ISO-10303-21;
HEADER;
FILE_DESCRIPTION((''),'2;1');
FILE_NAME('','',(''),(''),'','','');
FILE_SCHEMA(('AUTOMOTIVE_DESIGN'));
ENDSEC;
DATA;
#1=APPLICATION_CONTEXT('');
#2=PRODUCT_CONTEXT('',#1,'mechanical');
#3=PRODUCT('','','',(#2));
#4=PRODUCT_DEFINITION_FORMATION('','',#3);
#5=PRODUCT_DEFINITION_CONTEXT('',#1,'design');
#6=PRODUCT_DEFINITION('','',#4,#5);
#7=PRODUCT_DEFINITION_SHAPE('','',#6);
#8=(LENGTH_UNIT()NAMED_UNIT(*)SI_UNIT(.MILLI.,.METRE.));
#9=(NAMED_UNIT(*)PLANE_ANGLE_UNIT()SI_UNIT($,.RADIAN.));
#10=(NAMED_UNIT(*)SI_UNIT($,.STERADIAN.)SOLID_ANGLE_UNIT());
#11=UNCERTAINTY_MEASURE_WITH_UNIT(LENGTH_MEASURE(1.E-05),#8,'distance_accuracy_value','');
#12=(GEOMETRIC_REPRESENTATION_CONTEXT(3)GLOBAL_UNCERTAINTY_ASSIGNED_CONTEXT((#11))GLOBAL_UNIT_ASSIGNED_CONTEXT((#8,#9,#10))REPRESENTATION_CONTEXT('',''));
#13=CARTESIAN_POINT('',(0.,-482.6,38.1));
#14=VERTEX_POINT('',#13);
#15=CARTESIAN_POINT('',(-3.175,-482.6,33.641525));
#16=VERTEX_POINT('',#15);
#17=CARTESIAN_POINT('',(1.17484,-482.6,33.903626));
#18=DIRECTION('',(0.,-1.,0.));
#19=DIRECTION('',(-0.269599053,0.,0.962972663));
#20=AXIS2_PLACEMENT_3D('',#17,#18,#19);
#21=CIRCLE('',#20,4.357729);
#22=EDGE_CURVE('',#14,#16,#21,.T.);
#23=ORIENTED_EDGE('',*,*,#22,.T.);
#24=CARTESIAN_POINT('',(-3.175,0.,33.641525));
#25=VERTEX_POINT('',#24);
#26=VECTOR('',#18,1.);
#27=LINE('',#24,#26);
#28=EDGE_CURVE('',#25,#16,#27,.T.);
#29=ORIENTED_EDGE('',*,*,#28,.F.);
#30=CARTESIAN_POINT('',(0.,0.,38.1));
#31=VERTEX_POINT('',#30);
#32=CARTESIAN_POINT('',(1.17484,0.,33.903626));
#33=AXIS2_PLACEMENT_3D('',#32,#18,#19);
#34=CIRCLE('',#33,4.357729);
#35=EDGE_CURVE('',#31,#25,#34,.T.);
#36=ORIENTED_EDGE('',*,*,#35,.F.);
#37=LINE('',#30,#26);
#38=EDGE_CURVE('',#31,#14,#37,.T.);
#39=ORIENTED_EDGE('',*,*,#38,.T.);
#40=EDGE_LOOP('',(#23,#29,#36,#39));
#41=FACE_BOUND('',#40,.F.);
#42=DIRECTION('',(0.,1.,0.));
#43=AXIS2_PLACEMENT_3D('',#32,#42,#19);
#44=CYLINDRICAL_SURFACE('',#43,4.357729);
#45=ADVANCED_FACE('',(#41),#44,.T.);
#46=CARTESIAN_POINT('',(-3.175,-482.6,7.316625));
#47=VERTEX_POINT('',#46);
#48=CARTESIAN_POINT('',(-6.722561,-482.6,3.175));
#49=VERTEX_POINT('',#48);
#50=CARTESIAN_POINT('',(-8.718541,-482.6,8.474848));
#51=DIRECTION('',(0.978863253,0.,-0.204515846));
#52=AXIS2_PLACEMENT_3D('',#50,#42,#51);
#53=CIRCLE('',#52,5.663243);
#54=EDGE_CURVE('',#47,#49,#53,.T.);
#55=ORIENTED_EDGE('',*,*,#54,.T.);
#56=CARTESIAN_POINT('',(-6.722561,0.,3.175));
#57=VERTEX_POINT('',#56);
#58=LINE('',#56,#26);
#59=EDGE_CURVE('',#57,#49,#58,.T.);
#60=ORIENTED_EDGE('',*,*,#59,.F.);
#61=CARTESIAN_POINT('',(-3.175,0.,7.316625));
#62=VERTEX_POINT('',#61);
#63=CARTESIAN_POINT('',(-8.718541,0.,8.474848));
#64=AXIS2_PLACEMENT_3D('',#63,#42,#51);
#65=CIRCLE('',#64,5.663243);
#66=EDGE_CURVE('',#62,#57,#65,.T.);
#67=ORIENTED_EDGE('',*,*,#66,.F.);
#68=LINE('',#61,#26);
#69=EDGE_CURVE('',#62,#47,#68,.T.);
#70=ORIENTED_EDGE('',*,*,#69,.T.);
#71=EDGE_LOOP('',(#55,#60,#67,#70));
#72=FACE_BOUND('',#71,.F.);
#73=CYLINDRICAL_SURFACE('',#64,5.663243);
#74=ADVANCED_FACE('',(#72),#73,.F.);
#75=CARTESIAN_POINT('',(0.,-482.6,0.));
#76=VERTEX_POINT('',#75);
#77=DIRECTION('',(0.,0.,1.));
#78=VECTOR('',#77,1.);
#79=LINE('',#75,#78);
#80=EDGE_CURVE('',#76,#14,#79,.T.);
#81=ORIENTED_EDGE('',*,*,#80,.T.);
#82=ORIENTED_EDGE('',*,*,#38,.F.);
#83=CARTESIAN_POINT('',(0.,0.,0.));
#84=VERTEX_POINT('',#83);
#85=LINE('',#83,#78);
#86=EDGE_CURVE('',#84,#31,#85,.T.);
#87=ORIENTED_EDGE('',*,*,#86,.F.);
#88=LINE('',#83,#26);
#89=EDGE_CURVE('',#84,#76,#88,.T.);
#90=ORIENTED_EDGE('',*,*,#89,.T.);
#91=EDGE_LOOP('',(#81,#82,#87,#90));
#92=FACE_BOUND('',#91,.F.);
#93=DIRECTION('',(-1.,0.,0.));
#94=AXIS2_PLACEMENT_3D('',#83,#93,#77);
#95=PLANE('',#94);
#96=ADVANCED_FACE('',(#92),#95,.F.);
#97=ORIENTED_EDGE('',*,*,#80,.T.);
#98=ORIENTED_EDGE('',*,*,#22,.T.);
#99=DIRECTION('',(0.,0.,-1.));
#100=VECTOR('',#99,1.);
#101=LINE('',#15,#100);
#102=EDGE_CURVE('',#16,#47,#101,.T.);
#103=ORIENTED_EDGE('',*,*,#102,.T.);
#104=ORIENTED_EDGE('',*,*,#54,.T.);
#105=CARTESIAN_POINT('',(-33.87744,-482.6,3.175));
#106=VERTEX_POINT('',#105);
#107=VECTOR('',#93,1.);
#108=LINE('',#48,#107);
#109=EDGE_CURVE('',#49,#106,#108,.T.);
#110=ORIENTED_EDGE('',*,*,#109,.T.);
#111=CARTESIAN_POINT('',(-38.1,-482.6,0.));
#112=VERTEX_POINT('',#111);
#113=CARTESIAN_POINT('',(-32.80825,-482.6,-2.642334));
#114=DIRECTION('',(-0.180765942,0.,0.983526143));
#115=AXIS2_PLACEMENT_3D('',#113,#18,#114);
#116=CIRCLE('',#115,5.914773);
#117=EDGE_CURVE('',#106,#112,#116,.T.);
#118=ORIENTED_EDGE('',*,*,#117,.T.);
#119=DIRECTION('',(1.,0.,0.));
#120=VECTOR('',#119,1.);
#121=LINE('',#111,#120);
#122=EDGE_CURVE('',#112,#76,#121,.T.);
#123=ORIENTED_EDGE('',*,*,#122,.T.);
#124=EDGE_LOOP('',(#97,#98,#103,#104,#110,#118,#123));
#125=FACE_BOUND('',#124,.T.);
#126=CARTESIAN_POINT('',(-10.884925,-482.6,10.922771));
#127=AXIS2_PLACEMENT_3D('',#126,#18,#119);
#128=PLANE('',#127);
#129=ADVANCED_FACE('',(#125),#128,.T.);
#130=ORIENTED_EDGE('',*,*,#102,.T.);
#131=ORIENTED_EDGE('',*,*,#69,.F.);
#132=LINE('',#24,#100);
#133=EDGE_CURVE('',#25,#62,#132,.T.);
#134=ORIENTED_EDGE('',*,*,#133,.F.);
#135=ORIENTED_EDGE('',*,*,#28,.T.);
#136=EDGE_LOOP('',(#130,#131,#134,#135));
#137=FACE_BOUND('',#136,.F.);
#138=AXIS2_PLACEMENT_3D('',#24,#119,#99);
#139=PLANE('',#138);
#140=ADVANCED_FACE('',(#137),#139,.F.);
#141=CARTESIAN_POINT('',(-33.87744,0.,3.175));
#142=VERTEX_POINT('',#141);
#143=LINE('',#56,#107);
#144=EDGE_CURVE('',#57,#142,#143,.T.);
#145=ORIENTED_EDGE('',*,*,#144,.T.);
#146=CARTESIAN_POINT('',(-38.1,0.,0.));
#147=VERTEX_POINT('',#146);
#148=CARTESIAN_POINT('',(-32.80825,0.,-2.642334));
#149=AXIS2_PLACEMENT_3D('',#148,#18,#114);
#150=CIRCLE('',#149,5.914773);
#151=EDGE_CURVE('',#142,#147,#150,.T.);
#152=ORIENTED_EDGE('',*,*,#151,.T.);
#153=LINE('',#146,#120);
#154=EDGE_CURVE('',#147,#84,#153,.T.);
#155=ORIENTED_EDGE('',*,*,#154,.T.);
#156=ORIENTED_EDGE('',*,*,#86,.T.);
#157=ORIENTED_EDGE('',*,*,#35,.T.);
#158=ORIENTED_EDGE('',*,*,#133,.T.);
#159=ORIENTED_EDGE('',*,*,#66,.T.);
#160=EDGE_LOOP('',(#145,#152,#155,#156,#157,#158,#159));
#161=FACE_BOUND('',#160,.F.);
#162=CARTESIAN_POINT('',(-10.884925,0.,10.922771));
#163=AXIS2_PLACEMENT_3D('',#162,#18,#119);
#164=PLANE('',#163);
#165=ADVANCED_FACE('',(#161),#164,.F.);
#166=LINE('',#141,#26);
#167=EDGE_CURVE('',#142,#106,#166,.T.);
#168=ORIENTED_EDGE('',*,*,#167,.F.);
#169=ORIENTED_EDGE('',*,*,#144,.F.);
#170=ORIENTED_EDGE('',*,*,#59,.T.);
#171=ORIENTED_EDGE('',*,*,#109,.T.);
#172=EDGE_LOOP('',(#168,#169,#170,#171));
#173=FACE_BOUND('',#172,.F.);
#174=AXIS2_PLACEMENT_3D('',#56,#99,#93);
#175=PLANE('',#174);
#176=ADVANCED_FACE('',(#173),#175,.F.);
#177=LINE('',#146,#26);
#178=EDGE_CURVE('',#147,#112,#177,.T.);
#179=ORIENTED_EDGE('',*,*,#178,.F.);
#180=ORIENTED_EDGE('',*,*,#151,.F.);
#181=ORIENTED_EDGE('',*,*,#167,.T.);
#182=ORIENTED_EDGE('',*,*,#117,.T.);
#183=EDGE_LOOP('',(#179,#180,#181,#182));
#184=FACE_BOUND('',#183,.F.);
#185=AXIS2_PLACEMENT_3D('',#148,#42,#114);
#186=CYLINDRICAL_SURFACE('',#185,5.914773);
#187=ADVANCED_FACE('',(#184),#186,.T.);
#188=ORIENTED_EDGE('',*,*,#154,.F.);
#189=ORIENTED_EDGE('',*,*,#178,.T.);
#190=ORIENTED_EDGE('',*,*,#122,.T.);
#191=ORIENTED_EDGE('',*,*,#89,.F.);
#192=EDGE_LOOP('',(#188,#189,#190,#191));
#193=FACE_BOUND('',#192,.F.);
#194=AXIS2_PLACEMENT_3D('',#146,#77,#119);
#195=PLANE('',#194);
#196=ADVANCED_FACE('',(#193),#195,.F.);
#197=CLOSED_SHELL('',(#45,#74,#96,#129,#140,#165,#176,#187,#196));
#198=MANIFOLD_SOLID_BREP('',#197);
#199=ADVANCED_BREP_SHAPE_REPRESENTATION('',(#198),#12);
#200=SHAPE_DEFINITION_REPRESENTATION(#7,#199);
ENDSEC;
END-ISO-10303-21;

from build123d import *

# Parameters (mm, degrees)
F1_DEPTH = 482.6


with BuildPart() as f1:
    # F0 (on Front) → F1 (new body)
    with BuildSketch(Plane.XZ):
        with BuildLine():
            Line((-3.175, 0), (0, 0))
            Line((0, 0), (0, 3.175))
            Line((0, 3.175), (0, 38.1))
            ThreePointArc((0, 38.1), (-2.374811, 36.431428), (-3.175, 33.641525))
            Line((-3.175, 33.641525), (-3.175, 7.316625))
            ThreePointArc((-3.175, 7.316625), (-4.417453, 4.790697), (-6.722561, 3.175))
            Line((-6.722561, 3.175), (-33.87744, 3.175))
            ThreePointArc((-33.87744, 3.175), (-36.362901, 2.085139), (-38.1, 0))
            Line((-38.1, 0), (-3.175, 0))
        make_face()
    extrude(amount=F1_DEPTH)


solid = f1.part
